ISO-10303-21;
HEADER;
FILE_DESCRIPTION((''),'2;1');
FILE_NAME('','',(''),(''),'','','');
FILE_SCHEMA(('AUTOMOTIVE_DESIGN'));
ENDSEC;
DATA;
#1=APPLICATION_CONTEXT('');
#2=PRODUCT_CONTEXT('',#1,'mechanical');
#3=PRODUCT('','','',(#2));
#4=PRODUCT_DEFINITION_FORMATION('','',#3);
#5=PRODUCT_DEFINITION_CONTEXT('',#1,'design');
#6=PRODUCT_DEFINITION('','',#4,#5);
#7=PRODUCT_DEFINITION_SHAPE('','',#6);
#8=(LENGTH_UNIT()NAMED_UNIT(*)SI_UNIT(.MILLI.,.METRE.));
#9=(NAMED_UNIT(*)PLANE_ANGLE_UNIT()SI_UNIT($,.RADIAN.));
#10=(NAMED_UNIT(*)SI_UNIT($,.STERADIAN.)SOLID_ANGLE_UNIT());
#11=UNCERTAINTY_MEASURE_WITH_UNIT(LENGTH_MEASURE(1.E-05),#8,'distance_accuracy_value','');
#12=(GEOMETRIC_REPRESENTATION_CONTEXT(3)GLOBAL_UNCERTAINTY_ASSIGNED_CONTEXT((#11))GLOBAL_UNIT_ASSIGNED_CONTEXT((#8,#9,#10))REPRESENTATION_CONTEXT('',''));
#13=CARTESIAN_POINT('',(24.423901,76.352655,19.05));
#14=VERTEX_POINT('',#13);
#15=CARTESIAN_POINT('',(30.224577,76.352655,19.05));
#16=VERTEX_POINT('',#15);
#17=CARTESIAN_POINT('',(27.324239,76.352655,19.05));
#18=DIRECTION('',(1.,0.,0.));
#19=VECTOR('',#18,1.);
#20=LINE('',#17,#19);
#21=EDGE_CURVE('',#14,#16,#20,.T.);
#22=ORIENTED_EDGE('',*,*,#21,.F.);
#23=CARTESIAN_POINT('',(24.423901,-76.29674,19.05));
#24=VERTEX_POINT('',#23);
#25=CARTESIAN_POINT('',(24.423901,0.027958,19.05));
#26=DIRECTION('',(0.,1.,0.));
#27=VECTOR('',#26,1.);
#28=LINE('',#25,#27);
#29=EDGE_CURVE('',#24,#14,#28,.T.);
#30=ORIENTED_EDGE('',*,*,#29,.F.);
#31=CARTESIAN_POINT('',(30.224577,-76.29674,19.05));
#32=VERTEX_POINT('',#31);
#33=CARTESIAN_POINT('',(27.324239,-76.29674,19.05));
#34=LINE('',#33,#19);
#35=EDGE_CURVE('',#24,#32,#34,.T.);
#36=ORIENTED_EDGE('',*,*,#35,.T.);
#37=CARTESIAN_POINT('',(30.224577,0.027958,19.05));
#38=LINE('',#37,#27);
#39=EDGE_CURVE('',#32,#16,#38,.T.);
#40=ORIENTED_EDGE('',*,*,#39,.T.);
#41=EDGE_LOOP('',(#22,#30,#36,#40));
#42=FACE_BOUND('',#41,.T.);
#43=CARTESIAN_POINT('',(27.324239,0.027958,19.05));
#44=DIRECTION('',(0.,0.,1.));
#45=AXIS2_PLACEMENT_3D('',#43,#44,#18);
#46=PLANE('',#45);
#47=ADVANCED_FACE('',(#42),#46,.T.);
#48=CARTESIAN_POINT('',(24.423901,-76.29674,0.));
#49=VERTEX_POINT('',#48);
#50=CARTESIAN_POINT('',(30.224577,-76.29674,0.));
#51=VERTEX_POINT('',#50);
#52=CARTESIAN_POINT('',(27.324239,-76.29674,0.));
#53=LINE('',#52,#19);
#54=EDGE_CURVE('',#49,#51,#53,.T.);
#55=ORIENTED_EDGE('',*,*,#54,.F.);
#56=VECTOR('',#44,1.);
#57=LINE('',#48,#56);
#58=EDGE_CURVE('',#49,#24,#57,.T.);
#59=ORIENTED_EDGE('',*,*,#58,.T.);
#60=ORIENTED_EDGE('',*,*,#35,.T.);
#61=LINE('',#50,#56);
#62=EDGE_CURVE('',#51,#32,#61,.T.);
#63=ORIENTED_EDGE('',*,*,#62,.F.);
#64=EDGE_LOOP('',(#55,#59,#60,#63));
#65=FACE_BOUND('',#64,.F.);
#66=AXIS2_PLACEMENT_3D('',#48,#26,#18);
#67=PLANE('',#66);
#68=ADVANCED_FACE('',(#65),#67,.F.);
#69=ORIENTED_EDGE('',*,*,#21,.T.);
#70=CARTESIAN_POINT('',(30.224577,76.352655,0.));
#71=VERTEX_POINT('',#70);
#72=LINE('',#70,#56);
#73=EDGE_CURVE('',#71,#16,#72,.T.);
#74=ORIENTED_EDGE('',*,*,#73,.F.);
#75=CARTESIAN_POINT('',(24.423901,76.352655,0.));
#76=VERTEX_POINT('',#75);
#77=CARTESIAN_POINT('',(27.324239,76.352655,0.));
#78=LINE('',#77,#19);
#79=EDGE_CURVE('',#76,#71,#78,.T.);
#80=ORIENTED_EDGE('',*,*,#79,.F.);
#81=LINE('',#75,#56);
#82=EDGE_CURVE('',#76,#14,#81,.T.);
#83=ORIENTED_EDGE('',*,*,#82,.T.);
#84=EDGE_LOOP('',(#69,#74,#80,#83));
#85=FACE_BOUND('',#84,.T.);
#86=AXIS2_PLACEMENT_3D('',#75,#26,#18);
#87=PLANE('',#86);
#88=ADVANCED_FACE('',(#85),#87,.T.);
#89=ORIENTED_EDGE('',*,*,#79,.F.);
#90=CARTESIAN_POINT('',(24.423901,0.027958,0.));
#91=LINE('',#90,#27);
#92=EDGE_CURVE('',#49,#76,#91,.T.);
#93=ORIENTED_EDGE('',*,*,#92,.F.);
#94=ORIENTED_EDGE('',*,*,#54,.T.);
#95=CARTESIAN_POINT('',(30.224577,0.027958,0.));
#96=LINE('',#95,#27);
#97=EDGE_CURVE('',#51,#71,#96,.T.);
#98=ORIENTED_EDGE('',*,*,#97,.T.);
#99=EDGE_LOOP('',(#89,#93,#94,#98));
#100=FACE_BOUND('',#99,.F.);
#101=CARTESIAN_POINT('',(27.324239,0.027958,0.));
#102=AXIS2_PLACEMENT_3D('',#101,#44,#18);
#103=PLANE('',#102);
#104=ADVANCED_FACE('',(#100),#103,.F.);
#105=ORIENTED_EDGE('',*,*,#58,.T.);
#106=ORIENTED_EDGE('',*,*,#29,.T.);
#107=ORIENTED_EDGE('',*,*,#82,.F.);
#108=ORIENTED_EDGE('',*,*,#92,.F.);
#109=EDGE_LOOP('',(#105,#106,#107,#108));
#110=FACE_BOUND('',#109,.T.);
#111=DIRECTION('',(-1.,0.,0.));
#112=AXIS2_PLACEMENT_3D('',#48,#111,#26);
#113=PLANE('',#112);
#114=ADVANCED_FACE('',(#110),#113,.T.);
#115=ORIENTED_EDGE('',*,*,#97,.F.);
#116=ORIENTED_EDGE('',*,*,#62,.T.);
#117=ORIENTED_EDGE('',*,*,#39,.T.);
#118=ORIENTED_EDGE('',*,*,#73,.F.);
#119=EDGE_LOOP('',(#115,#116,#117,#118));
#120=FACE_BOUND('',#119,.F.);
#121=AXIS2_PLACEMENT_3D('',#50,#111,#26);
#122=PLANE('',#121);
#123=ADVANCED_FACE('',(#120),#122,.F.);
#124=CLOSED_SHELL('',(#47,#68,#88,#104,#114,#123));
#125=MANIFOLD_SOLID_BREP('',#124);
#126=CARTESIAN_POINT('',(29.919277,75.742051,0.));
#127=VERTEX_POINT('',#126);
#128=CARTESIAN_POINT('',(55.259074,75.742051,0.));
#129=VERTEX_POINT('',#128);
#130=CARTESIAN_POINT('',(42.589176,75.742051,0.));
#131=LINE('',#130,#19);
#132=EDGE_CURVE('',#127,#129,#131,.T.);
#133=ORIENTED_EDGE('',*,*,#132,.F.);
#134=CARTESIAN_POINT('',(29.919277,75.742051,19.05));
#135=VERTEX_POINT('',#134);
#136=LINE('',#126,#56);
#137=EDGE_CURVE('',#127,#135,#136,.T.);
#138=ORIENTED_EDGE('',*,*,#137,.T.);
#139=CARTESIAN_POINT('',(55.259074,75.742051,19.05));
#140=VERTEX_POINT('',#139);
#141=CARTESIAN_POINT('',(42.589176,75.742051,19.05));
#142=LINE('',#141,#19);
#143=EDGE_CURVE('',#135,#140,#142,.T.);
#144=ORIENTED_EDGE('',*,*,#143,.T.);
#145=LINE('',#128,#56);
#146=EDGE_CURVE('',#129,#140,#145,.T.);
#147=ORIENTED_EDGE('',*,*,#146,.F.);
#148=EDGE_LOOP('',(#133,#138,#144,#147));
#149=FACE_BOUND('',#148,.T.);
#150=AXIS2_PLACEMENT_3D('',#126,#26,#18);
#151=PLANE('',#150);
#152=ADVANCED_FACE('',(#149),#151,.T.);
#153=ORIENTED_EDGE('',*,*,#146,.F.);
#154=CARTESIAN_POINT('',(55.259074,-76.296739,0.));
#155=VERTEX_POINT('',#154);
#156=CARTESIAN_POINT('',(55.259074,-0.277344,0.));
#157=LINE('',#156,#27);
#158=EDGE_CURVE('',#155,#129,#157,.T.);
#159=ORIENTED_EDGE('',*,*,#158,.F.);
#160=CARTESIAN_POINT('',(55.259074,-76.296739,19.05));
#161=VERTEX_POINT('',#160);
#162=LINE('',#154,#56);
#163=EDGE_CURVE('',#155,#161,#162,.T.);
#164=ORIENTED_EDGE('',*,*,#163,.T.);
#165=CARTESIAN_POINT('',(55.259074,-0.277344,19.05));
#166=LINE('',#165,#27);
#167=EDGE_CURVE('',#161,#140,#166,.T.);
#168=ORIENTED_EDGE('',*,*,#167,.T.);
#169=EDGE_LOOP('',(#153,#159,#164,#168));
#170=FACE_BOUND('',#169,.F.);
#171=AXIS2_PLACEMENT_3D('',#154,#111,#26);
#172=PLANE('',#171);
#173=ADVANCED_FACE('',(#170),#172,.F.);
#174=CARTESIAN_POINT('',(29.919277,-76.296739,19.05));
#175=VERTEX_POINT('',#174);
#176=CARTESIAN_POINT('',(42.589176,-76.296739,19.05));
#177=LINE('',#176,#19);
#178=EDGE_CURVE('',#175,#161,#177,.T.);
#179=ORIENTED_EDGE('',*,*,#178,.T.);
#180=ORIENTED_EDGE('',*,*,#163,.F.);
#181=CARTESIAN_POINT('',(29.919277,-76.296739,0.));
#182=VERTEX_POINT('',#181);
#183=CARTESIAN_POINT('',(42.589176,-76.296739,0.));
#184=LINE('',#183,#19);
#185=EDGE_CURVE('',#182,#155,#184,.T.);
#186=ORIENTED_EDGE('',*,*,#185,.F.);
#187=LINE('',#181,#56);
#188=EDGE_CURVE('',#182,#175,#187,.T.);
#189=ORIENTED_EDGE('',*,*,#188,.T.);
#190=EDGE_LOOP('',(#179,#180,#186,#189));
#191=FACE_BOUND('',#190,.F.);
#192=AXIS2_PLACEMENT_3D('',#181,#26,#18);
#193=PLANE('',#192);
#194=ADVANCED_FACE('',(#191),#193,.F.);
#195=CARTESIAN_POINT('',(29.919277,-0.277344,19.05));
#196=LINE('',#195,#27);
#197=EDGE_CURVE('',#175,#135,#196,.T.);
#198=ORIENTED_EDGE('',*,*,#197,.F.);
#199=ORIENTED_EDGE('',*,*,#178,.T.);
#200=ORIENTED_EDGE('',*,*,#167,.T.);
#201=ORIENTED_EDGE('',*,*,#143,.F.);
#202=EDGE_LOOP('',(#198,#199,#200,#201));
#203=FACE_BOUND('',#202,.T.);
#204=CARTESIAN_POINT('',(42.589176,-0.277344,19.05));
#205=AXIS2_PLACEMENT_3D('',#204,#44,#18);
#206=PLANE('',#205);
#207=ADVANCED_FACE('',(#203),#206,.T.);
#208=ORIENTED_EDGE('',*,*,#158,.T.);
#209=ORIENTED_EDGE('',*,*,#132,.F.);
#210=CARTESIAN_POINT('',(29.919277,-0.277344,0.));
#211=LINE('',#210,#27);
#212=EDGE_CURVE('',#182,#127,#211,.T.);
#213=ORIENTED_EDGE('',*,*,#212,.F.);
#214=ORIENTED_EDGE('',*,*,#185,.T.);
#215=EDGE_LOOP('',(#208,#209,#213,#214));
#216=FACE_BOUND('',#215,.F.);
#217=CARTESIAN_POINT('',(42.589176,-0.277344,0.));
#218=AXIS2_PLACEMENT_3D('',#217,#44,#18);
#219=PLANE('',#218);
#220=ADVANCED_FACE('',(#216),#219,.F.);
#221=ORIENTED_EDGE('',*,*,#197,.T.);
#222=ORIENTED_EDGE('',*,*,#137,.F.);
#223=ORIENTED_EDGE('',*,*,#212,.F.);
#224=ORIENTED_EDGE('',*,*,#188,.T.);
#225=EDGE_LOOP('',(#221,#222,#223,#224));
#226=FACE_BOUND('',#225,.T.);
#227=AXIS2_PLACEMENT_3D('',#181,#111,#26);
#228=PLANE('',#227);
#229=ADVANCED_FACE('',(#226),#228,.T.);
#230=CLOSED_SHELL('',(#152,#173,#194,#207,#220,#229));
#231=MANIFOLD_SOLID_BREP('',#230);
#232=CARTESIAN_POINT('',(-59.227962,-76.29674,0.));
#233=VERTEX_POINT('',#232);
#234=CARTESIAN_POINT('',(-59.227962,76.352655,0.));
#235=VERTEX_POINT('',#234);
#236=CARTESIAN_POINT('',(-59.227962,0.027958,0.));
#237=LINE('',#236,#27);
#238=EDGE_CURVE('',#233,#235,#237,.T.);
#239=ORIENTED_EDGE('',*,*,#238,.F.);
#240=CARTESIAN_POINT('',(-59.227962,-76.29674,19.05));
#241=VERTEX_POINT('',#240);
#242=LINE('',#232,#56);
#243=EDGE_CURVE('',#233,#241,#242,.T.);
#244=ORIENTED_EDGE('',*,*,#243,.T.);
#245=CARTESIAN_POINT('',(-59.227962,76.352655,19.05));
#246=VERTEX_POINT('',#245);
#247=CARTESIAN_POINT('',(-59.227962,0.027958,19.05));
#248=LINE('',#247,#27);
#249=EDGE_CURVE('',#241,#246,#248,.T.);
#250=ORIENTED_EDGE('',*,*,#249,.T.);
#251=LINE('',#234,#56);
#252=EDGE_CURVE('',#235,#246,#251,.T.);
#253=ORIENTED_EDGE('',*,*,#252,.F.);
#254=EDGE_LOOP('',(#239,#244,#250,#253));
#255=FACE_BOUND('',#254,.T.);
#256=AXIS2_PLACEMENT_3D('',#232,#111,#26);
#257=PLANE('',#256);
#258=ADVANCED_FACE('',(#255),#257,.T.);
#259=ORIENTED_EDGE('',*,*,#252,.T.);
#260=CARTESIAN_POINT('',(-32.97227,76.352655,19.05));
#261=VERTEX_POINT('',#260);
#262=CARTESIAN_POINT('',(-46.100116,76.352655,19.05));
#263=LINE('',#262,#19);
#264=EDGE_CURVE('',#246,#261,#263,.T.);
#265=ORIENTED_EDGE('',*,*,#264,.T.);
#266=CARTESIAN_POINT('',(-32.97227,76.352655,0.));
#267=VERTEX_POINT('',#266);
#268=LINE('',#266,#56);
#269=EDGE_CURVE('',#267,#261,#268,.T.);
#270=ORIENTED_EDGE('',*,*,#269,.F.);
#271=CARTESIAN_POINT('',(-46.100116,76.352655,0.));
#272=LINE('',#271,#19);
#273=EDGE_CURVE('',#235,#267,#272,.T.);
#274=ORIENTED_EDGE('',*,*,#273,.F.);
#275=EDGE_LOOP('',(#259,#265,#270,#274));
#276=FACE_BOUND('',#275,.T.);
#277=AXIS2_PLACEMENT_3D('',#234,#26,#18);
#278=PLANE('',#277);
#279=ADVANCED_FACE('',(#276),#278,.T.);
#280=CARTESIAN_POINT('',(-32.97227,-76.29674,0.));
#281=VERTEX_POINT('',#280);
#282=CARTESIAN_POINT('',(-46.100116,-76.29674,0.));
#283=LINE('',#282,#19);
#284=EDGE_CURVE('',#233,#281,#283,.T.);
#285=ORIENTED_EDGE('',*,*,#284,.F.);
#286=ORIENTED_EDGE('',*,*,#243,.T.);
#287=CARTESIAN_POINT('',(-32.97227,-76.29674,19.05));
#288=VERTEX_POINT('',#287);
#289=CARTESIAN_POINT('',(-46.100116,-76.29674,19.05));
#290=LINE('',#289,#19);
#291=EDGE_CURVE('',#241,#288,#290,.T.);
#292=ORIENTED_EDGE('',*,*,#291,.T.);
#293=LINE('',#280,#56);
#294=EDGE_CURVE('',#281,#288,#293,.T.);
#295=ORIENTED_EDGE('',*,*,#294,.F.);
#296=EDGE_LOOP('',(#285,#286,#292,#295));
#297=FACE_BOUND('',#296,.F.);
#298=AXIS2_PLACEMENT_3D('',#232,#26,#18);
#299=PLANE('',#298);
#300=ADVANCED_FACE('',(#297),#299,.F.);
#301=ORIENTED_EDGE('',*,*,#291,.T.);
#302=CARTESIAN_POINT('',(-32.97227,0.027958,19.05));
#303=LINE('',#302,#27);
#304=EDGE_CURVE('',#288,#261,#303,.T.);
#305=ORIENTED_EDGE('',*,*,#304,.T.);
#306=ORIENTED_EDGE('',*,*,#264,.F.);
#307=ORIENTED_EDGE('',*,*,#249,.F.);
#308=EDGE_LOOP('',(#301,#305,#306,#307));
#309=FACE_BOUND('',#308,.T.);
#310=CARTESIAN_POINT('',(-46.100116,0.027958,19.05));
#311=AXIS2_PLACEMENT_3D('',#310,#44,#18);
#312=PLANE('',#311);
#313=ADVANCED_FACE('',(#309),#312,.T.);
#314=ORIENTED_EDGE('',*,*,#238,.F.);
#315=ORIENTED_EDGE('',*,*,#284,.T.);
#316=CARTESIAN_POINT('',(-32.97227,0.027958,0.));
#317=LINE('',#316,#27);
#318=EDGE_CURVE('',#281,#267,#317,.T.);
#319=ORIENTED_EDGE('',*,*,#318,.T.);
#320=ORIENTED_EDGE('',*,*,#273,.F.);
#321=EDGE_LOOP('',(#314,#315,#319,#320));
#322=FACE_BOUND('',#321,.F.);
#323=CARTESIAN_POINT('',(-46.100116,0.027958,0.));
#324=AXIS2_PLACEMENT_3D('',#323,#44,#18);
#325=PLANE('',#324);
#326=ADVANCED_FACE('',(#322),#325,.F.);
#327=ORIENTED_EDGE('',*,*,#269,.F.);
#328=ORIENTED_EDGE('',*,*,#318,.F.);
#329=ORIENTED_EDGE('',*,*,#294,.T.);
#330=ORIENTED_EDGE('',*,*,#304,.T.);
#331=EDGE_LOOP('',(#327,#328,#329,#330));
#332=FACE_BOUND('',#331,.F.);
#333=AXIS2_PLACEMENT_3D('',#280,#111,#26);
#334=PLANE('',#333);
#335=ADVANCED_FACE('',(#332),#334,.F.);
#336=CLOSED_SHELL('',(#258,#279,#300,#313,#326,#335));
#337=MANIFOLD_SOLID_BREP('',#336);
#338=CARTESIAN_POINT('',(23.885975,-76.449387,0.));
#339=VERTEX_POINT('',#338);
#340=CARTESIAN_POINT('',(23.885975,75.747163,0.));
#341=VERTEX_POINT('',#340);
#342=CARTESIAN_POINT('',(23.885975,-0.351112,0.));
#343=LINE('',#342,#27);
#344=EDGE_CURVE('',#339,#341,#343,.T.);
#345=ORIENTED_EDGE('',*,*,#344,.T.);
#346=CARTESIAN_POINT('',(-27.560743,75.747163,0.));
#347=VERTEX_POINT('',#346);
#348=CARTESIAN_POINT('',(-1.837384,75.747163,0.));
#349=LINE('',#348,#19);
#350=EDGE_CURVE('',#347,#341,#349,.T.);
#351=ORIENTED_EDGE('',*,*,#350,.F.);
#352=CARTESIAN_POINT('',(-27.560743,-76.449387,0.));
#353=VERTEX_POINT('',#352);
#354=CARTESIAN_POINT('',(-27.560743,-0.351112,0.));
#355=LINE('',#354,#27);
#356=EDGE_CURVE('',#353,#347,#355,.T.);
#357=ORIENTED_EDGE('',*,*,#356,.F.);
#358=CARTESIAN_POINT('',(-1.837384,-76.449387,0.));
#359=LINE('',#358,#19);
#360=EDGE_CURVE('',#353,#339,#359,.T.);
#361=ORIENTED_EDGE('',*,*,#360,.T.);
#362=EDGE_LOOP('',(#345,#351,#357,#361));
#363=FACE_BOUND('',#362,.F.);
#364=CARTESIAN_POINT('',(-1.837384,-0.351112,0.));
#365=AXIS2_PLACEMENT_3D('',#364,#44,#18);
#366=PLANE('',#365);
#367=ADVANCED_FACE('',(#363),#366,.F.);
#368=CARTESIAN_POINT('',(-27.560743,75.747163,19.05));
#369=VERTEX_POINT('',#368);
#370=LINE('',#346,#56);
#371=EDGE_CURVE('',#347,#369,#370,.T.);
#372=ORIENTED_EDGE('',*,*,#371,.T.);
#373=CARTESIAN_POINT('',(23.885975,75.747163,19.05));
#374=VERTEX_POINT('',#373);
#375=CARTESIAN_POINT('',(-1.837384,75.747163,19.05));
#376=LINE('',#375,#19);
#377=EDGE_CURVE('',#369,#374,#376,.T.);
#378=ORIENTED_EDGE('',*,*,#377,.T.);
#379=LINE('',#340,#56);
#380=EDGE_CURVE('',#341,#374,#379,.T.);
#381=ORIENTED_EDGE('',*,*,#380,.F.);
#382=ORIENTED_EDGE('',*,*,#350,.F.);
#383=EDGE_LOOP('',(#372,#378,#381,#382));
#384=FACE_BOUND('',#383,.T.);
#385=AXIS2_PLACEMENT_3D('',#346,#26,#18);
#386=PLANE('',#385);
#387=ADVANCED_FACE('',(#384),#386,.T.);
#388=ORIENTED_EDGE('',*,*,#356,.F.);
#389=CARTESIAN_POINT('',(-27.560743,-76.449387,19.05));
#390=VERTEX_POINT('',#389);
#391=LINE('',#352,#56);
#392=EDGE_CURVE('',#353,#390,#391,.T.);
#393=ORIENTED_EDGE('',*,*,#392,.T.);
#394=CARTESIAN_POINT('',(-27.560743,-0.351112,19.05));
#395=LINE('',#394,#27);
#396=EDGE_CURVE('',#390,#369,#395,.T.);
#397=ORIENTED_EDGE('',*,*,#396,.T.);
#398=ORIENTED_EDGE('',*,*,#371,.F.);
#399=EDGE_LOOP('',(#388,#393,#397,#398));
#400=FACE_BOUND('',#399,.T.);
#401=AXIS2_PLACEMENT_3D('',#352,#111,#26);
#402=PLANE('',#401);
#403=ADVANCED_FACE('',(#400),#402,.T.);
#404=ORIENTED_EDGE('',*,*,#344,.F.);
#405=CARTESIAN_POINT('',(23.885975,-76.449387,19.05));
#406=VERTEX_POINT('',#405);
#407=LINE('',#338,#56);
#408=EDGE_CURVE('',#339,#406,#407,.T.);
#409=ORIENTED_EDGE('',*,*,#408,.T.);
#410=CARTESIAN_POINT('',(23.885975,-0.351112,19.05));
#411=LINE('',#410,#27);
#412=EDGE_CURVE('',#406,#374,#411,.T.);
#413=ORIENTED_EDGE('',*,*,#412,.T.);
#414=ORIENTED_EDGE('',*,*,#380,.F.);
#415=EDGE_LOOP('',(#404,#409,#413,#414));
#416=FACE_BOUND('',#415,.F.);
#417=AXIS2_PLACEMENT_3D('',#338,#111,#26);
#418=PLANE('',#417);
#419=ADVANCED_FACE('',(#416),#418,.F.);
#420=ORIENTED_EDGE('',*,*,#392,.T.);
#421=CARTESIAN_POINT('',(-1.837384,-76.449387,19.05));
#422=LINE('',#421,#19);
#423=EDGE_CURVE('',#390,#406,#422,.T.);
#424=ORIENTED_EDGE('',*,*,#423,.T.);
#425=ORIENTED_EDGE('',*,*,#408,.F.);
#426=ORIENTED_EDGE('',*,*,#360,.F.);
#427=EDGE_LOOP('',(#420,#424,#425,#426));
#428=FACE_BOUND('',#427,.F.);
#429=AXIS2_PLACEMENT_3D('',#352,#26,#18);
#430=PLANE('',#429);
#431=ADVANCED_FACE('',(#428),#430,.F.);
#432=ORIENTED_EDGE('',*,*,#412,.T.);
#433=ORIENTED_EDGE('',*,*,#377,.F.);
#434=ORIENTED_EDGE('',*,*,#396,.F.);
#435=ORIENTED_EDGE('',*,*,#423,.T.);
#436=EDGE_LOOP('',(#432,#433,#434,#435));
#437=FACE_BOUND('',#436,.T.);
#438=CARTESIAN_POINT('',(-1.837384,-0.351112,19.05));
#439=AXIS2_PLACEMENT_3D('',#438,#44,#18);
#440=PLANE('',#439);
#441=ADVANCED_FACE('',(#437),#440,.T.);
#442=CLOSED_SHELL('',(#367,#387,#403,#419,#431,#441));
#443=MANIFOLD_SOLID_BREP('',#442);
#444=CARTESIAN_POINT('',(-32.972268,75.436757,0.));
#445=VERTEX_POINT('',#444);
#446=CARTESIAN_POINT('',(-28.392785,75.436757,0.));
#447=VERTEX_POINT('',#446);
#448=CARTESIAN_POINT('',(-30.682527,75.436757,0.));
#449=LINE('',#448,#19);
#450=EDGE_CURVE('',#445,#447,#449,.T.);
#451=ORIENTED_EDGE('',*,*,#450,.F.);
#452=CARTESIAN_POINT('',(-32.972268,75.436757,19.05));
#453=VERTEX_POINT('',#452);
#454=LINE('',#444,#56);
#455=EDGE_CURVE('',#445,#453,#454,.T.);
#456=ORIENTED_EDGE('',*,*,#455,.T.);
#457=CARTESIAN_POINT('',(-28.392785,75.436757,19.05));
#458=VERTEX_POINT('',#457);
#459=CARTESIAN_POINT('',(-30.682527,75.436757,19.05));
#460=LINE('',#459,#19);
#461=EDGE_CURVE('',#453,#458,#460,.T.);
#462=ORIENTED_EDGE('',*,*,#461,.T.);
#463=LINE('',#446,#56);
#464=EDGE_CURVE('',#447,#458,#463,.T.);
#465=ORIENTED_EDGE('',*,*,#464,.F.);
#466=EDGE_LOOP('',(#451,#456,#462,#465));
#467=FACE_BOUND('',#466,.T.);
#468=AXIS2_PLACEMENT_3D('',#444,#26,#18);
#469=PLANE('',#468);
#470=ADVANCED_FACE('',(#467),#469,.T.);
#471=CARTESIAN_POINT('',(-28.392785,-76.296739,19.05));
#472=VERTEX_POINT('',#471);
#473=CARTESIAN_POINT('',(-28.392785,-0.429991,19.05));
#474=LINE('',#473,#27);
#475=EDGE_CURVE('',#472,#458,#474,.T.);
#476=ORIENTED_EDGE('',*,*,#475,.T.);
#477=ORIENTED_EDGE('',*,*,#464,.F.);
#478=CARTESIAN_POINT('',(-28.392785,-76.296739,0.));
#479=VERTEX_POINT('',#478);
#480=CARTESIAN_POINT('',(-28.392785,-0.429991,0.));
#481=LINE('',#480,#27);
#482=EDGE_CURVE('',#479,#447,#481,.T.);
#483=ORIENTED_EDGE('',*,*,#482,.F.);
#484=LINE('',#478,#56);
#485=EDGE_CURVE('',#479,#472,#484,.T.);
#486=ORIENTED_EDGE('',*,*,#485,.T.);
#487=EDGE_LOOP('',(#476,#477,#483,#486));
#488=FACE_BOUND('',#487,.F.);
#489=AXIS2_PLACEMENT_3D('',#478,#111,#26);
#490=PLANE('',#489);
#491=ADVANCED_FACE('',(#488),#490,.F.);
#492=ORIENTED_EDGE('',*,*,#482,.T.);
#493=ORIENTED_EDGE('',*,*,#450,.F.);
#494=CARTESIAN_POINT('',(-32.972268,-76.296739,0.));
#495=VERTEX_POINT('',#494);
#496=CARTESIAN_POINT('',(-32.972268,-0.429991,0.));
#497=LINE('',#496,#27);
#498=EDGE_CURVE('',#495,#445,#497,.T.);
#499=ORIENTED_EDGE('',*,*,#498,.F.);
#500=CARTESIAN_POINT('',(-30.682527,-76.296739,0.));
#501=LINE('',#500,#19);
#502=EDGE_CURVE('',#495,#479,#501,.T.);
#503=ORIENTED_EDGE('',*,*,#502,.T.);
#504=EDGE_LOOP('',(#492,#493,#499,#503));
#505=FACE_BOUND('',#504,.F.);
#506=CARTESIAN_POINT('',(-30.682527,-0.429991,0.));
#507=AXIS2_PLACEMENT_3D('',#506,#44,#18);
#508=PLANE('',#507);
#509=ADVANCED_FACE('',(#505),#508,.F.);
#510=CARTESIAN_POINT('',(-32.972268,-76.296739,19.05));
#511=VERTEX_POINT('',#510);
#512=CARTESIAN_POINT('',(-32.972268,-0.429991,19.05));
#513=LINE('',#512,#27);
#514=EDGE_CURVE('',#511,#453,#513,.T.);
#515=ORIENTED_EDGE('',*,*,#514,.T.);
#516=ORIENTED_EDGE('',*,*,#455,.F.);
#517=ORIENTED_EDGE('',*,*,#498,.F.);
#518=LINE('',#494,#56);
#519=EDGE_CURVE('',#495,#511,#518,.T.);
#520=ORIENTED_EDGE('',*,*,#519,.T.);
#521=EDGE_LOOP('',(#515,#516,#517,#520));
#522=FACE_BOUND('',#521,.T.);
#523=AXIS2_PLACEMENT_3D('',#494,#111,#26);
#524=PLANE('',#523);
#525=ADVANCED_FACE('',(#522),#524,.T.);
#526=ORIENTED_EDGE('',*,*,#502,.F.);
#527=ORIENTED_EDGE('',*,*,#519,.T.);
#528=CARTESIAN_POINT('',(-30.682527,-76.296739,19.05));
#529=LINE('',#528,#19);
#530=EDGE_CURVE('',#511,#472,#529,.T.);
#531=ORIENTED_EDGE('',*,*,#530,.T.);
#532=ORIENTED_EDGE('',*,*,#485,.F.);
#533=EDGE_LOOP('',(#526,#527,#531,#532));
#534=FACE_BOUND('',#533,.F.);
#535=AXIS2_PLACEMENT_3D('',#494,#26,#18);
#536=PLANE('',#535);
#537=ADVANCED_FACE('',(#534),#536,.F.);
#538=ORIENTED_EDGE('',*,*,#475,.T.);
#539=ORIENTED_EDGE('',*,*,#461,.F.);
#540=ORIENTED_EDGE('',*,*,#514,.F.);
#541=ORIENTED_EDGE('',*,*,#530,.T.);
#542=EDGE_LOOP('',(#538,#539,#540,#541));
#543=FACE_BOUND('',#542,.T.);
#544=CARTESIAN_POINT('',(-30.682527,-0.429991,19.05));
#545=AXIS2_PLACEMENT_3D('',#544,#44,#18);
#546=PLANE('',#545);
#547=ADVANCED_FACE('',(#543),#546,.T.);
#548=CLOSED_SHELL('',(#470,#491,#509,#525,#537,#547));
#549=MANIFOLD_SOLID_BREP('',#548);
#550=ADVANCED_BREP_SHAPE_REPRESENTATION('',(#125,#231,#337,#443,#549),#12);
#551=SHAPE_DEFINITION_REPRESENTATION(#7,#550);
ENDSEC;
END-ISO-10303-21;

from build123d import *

# Parameters (mm, degrees)
F0_W     = 51.446718
F0_H     = 152.196549
F1_DEPTH = 19.05
F2_W     = 4.579483
F2_H     = 151.733495
F2_W_2   = 5.800676
F2_H_2   = 152.649395
F3_DEPTH = 19.05
F4_W     = 26.255693
F4_H     = 152.649395
F4_W_2   = 25.339797
F4_H_2   = 152.03879
F5_DEPTH = 19.05


with BuildPart() as f1:
    # F0 (on Top) → F1 (new body)
    with BuildSketch(Plane.XY):
        with Locations((-1.837384, -0.351112)):
            Rectangle(F0_W, F0_H)
    extrude(amount=F1_DEPTH)


with BuildPart() as f3:
    # F2 (on Top) → F3 (new body)
    with BuildSketch(Plane.XY):
        with Locations((-30.682527, -0.429991)):
            Rectangle(F2_W, F2_H)
        with Locations((27.324239, 0.027958)):
            Rectangle(F2_W_2, F2_H_2)
    extrude(amount=F3_DEPTH)


with BuildPart() as f5:
    # F4 (on Top) → F5 (new body)
    with BuildSketch(Plane.XY):
        with Locations((-46.100116, 0.027958)):
            Rectangle(F4_W, F4_H)
        with Locations((42.589176, -0.277344)):
            Rectangle(F4_W_2, F4_H_2)
    extrude(amount=F5_DEPTH)


solid = Compound([f1.part, f3.part, f5.part])
